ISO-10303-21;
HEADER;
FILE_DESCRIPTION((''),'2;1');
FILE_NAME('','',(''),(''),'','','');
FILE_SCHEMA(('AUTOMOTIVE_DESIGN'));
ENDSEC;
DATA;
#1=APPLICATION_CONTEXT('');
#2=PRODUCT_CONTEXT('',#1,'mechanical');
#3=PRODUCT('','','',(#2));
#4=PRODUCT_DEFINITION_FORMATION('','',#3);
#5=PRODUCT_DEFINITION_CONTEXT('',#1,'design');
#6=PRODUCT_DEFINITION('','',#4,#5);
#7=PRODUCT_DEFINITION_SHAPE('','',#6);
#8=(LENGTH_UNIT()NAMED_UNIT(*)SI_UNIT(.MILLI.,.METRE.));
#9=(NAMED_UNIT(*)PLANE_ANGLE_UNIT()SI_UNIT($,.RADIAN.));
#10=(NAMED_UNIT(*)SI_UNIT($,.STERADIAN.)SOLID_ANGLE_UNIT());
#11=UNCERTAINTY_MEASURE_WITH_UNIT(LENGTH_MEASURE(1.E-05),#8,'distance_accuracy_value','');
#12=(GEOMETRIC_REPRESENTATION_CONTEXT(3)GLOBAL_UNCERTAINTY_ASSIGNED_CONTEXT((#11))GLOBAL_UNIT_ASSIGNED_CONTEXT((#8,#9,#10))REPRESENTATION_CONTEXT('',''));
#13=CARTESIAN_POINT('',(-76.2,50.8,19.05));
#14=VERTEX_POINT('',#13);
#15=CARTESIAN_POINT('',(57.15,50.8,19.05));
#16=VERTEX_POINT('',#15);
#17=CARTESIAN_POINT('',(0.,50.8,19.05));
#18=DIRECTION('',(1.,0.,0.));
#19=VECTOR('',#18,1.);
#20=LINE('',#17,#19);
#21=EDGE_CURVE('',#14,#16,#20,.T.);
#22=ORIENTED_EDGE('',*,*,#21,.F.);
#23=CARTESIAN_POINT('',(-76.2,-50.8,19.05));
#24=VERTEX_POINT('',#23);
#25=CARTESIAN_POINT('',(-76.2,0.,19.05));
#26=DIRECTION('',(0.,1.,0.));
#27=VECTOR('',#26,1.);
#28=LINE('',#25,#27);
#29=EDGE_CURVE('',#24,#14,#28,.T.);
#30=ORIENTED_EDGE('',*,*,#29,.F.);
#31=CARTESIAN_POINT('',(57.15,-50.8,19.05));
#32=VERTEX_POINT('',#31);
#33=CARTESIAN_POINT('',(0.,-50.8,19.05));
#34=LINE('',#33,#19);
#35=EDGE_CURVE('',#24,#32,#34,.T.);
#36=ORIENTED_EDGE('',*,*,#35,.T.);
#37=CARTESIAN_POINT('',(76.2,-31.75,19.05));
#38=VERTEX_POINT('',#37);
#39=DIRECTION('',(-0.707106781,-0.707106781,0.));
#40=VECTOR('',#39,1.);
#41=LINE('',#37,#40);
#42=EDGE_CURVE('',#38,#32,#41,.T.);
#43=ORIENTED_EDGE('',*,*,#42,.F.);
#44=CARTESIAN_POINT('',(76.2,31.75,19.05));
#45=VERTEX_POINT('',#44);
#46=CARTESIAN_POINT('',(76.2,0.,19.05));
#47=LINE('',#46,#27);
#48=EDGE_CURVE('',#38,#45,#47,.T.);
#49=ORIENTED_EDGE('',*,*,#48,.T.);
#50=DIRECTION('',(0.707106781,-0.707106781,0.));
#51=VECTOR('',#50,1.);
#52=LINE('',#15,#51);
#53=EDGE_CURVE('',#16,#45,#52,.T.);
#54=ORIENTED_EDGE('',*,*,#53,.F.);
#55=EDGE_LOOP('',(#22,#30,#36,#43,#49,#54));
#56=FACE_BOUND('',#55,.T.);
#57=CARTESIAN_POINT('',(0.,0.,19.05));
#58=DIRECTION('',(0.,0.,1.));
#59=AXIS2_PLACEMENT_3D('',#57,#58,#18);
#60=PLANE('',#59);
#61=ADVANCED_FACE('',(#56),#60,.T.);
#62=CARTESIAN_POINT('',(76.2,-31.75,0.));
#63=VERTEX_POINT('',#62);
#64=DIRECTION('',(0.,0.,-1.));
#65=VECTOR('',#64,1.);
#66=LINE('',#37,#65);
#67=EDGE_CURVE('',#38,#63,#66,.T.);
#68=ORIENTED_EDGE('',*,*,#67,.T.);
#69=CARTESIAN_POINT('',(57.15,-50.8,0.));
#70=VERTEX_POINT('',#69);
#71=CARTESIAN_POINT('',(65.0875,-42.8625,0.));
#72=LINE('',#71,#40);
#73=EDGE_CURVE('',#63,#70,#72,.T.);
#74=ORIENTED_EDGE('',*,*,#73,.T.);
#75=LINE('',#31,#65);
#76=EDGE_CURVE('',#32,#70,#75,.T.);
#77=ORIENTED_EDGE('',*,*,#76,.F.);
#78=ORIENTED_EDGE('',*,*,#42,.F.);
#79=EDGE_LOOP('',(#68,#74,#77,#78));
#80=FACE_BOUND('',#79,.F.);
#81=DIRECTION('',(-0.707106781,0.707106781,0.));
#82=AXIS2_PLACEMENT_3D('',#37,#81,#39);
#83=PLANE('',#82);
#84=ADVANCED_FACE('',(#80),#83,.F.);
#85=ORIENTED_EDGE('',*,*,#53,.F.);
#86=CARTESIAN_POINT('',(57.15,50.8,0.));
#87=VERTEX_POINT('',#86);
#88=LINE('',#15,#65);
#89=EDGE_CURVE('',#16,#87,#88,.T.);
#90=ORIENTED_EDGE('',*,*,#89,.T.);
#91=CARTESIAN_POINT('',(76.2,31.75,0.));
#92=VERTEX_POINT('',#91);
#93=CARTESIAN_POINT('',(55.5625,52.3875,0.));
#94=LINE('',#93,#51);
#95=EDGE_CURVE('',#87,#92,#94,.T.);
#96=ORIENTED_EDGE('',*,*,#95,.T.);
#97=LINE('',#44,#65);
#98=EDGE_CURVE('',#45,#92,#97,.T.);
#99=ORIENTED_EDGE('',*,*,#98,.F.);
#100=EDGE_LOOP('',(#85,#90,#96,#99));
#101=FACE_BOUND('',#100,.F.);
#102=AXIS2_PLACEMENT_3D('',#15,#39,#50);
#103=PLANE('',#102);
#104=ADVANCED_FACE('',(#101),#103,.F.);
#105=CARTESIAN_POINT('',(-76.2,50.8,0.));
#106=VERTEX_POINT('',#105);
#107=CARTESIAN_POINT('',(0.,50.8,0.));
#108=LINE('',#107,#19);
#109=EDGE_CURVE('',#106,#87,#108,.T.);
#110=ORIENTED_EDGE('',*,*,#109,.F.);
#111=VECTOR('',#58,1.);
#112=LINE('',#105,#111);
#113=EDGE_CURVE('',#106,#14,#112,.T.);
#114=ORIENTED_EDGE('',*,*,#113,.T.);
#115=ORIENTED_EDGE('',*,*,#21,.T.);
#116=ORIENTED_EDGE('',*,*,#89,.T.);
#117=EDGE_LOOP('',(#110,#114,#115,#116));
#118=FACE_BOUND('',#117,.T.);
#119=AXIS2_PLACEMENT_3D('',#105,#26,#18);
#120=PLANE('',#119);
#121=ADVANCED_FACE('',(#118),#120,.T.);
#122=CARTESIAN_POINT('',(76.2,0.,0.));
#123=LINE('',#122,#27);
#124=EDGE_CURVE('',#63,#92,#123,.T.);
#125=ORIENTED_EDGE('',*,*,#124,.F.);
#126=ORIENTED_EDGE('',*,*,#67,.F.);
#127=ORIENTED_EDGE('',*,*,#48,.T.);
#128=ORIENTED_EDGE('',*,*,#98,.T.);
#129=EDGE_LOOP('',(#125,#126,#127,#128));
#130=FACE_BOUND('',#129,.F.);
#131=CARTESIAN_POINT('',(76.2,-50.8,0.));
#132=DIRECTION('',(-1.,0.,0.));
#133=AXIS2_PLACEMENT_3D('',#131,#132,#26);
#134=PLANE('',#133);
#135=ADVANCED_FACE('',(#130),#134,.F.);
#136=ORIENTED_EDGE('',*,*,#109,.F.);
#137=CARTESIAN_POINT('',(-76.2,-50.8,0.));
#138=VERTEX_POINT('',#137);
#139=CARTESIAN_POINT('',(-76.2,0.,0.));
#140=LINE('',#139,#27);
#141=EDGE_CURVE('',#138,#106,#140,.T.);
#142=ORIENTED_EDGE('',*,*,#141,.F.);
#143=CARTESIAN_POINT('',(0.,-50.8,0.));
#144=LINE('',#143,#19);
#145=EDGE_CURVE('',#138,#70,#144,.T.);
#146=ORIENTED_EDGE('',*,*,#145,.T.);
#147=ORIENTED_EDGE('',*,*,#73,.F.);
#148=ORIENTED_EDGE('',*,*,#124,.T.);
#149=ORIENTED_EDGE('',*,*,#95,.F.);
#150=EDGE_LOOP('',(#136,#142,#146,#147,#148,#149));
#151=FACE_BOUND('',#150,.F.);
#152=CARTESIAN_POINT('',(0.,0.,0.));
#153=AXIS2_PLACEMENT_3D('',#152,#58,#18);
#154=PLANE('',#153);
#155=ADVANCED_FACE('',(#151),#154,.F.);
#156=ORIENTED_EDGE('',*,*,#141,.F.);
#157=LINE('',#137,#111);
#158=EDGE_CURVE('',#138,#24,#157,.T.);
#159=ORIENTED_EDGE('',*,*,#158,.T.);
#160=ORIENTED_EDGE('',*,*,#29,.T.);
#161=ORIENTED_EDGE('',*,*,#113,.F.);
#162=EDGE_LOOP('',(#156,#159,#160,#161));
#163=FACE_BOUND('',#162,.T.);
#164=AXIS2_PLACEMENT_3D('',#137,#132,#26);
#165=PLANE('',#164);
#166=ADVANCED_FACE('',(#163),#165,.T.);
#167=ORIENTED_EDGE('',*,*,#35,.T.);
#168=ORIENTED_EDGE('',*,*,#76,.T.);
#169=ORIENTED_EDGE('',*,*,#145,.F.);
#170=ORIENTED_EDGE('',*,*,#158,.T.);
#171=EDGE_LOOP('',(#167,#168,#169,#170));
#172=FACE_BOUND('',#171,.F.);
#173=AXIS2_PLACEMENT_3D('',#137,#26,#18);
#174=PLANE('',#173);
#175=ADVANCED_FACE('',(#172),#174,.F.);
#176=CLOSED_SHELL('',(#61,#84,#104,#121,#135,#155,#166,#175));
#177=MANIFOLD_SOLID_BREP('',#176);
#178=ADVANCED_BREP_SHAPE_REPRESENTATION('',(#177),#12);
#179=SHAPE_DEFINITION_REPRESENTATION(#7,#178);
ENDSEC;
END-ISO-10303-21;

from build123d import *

# Parameters (mm, degrees)
F0_W     = 152.4
F0_H     = 101.6
F1_DEPTH = 19.05
F3_DEPTH = 19.051


with BuildPart() as f1:
    # F0 (on Top) → F1 (new body)
    with BuildSketch(Plane.XY):
        Rectangle(F0_W, F0_H)
    extrude(amount=F1_DEPTH)

    # F2 (on face) → F3 (cut, through all)
    with BuildSketch(Plane.XY.offset(19.05)):
        Polygon((57.15, 50.8), (76.2, 31.75), (76.2, 50.8), align=None)
        Polygon((76.2, -31.75), (57.15, -50.8), (76.2, -50.8), align=None)
    extrude(amount=-F3_DEPTH, mode=Mode.SUBTRACT)


solid = f1.part
